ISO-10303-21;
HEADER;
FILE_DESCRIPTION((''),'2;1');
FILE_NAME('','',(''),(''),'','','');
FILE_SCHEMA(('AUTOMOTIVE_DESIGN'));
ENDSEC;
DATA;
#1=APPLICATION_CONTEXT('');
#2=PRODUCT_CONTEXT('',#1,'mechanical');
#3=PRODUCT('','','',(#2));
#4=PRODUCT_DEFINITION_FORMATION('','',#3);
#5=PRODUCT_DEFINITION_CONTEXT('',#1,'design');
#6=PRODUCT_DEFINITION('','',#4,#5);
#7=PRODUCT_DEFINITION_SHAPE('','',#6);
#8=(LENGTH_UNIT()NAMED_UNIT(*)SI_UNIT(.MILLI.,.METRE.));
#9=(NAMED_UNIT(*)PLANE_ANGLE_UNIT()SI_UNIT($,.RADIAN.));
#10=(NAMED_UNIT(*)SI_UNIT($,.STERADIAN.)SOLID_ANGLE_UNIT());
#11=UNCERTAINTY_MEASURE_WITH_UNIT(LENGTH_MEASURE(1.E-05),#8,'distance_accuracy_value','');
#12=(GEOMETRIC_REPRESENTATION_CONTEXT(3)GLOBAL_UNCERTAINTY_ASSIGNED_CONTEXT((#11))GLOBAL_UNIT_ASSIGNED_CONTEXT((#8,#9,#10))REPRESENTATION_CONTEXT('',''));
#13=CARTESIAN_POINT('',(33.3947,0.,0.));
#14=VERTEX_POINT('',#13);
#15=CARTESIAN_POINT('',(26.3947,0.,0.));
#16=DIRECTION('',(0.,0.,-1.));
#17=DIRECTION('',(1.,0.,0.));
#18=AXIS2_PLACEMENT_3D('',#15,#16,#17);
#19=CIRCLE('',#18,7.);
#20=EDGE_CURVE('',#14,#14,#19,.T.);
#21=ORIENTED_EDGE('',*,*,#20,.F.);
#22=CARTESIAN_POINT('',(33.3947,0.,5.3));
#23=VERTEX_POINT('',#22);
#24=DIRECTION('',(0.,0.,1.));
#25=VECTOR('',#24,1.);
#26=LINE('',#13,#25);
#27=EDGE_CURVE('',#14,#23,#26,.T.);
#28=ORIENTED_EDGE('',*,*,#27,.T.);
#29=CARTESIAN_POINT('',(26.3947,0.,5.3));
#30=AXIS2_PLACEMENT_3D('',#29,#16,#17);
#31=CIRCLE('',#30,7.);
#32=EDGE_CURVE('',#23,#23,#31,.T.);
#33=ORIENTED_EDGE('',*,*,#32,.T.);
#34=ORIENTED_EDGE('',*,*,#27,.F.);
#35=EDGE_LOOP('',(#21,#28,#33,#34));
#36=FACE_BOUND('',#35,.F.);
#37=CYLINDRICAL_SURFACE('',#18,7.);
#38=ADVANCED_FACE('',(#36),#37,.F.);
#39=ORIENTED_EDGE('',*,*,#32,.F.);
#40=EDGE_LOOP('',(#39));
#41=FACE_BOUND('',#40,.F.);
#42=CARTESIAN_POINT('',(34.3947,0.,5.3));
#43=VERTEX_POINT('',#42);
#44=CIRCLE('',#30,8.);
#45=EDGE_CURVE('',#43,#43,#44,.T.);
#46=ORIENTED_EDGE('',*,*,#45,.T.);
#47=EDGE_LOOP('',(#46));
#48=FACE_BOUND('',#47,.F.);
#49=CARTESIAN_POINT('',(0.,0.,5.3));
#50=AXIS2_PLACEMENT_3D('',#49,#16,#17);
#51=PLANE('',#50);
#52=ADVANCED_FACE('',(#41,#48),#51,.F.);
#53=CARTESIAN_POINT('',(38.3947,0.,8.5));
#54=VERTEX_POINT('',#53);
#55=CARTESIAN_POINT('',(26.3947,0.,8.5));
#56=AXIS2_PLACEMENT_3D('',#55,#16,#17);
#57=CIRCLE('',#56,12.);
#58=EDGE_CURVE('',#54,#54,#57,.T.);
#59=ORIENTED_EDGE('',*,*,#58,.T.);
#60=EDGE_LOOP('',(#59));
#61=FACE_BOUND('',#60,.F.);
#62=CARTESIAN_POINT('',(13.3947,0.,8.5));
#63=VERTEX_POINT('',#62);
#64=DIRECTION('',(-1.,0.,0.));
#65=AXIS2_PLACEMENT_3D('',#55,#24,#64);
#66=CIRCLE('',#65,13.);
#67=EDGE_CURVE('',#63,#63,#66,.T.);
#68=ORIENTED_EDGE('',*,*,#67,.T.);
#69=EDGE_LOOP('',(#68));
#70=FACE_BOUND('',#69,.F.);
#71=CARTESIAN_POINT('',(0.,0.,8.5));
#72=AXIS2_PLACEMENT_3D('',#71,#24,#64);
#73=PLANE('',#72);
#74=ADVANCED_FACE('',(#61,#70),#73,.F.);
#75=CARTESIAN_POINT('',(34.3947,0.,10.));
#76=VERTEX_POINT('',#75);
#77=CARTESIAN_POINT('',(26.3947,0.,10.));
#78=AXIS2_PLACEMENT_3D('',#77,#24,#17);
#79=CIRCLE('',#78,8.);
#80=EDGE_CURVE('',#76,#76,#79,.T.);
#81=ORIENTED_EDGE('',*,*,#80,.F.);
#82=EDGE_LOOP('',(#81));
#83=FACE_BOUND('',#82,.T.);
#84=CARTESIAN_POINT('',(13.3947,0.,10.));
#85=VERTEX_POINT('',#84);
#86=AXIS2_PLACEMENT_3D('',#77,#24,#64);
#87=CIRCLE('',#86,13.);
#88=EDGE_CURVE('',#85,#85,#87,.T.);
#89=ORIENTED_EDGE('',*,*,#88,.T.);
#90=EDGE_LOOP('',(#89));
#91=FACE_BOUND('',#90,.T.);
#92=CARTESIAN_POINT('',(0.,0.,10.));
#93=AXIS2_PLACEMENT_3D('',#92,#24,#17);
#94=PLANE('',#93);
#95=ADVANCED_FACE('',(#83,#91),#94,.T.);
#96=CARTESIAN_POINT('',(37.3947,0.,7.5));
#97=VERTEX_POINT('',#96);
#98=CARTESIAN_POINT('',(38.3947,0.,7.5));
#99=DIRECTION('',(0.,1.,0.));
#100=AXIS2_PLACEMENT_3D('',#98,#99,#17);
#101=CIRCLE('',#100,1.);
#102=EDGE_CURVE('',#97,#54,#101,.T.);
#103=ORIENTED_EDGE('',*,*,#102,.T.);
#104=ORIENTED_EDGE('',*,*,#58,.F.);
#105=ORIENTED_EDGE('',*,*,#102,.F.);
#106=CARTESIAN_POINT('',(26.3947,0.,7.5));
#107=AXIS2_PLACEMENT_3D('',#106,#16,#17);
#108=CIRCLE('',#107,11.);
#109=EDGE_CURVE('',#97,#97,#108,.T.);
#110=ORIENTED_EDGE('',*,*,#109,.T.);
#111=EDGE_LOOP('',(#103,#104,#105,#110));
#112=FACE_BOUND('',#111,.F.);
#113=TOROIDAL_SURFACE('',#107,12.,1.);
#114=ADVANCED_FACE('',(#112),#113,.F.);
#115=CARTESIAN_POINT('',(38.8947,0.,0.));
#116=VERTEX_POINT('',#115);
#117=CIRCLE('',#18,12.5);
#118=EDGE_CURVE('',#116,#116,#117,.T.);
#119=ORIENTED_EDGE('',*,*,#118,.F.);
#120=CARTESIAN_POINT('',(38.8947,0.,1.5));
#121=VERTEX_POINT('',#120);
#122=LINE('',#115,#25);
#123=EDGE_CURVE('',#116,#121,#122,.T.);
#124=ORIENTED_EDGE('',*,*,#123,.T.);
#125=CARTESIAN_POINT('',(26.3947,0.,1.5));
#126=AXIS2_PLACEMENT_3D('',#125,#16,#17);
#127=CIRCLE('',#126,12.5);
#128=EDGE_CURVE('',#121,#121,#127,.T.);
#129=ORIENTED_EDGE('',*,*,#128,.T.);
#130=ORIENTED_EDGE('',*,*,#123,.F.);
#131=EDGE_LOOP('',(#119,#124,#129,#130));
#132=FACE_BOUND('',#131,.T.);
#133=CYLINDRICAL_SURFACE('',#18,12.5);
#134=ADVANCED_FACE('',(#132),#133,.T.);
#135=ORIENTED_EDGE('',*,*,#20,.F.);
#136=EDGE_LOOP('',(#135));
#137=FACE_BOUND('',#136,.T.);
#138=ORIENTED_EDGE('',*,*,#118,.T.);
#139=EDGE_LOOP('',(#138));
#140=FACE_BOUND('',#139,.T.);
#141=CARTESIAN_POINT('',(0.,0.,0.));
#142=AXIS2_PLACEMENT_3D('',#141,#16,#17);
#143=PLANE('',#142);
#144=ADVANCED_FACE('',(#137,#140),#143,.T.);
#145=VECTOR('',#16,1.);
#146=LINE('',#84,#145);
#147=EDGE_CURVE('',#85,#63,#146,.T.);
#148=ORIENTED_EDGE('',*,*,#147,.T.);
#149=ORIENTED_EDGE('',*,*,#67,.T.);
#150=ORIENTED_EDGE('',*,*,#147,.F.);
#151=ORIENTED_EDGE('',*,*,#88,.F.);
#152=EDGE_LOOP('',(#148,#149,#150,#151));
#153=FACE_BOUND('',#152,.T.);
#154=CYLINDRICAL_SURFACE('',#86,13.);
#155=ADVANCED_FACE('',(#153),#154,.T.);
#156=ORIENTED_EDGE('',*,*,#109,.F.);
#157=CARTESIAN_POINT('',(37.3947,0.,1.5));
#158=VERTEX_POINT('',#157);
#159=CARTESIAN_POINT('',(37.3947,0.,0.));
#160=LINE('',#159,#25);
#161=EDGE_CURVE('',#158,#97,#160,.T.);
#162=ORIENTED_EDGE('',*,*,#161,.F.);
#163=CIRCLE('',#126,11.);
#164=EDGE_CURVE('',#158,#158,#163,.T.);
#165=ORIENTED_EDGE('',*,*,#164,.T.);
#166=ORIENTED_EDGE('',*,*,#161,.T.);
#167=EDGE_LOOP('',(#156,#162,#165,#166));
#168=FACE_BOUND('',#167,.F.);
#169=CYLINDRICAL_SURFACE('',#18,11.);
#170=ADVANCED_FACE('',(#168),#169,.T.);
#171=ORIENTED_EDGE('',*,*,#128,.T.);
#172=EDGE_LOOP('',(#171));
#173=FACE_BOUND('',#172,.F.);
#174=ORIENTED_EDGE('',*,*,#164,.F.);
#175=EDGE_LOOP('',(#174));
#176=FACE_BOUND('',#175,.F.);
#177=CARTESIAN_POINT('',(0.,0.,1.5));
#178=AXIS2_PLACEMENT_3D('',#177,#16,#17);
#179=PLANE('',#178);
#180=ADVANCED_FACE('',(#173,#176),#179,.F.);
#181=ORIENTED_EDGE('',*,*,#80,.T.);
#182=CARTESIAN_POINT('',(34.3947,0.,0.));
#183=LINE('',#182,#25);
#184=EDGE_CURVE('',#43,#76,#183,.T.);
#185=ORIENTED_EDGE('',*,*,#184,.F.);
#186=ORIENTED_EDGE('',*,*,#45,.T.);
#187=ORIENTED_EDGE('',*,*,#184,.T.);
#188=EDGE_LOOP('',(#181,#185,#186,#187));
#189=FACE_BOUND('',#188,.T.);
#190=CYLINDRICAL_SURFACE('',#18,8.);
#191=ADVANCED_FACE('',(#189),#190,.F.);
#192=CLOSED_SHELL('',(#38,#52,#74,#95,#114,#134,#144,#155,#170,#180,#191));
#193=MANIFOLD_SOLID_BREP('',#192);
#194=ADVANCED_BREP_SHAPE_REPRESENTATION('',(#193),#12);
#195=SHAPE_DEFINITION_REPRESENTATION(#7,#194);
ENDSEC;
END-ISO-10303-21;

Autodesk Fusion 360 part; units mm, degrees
sketch "Sketch3" plane through (0, 0, 0) normal (0, 0, 1) x (1, 0, 0)
  circle A0 centre (26.3947, 0) radius 8
  circle A1 centre (26.3947, 0) radius 11
  dimension "d13" = 16
  dimension "d14" = 22
extrude "Extrude4" add sketch "Sketch3" along normal blind 10
sketch "Sketch4" plane through (0, 0, 10) normal (0, 0, 1) x (-1, 0, 0)
  circle A0 centre (-26.3947, 0) radius 8
  circle A1 centre (-26.3947, 0) radius 11
  circle A2 centre (-26.3947, 0) radius 13
  circle A3 centre (-26.3947, 0) radius 8
  dimension "d17" = 26
extrude "Extrude5" add sketch "Sketch4" against normal blind 1.5 contours A2
sketch "Sketch5" plane through (0, 0, 0) normal (0, 0, -1) x (1, 0, 0)
  circle A0 centre (26.3947, 0) radius 8
  circle A1 centre (26.3947, 0) radius 11
  circle A2 centre (26.3947, 0) radius 12.5
  dimension "d20" = 25
extrude "Extrude6" add sketch "Sketch5" against normal blind 1.5 contours A2
fillet "Fillet2" radius 1 1 edges at (16.1391, 3.9778, 8.5)
sketch "Sketch6" plane through (0, 0, 0) normal (0, 0, -1) x (1, 0, 0)
  circle A0 centre (26.3947, 0) radius 12.5
  circle A1 centre (26.3947, 0) radius 8
  circle A2 centre (26.3947, 0) radius 7
  dimension "d25" = 14
extrude "Extrude7" add sketch "Sketch6" against normal blind 5.3 contours A1
